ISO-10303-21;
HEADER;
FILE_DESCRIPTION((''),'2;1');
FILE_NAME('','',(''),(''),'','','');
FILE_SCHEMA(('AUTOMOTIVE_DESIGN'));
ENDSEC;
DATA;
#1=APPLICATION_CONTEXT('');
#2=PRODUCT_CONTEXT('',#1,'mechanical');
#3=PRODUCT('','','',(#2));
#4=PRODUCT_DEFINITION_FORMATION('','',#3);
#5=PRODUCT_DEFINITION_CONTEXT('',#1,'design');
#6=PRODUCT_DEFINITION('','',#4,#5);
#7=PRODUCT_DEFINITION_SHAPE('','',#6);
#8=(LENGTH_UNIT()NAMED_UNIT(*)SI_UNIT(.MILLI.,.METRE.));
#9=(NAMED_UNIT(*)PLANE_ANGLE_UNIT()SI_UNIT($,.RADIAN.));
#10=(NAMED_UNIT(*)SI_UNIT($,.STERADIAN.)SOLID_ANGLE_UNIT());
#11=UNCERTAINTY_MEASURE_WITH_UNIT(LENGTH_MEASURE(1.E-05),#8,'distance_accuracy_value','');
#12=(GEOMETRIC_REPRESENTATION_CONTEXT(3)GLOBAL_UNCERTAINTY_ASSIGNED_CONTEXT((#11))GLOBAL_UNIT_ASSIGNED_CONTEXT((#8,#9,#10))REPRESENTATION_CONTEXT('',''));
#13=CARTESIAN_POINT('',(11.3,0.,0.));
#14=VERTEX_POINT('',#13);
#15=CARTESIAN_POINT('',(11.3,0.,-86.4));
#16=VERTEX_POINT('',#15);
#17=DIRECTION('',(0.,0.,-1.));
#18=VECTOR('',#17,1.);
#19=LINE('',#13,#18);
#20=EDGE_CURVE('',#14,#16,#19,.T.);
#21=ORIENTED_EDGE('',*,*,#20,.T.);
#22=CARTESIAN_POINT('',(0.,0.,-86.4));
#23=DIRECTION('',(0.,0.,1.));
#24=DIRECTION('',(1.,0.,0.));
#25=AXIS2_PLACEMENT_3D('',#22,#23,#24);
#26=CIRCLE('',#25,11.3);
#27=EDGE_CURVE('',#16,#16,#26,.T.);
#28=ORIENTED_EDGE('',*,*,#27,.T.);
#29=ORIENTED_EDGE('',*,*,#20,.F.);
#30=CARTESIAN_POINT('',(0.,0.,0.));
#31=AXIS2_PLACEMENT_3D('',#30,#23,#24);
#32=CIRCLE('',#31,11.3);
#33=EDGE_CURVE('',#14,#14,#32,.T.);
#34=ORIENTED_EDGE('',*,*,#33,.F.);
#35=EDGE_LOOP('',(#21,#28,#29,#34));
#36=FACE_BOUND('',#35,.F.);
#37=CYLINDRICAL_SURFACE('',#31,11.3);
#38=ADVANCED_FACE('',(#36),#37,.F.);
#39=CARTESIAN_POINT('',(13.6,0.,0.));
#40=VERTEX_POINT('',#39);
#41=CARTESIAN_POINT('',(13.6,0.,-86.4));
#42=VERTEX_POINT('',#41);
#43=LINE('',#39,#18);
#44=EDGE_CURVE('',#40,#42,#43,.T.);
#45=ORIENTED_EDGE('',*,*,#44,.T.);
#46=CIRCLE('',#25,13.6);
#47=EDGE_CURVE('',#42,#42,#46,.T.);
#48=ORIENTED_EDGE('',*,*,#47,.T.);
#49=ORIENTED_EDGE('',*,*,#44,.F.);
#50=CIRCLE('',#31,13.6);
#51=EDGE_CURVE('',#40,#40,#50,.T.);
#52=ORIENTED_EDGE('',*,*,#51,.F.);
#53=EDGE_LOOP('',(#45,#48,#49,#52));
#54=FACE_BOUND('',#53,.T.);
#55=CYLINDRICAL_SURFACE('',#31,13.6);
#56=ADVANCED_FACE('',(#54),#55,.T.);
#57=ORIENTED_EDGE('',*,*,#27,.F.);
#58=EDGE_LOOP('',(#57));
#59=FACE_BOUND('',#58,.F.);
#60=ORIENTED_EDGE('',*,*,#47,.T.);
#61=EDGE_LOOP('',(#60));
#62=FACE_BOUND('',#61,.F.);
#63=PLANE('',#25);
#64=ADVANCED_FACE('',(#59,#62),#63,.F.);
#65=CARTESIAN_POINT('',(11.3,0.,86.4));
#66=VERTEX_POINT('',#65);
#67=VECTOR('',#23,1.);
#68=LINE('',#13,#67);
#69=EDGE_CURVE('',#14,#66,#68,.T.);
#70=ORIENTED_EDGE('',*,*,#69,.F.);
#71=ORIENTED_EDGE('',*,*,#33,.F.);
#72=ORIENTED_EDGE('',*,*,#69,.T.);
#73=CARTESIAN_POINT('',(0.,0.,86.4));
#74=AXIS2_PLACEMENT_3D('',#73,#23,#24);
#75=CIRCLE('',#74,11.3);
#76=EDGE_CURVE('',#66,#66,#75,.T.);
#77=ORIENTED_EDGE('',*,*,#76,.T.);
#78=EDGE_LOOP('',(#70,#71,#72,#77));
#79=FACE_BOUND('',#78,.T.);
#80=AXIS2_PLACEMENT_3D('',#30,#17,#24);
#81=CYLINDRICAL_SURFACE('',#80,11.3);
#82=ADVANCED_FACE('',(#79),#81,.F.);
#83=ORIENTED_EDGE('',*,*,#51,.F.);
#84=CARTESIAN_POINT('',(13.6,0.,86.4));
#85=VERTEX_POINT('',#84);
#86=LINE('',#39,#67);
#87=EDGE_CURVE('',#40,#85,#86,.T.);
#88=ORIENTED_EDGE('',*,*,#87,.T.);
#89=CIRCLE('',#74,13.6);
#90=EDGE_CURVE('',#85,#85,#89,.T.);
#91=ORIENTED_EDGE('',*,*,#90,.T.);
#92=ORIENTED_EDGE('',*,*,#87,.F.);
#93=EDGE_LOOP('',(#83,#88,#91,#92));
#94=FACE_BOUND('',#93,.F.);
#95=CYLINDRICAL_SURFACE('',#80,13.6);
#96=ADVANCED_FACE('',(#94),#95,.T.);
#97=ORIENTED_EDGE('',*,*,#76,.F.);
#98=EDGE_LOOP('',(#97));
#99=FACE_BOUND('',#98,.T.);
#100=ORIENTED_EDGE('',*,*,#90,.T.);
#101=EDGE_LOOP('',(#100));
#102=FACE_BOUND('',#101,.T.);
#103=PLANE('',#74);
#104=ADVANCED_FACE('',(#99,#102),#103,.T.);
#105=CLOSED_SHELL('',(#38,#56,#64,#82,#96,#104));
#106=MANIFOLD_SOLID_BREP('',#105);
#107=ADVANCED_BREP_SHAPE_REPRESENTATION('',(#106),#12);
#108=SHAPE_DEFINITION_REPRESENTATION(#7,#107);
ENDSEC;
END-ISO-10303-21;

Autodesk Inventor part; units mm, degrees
ref_plane "XY Plane" through (0, 0, 0) normal (0, 0, 1) x (1, 0, 0)
sketch "スケッチ1" plane through (0, 0, 0) normal (0, 0, 1) x (1, 0, 0)
  circle A0 centre (0, 0) radius 13.6
  circle A1 centre (0, 0) radius 11.3
  dimension "d0" = 27.2
  dimension "d1" = 2.3
extrude "押し出し1" add sketch "スケッチ1" along normal mid plane 172.8
ref_plane "作業平面1" through (13.6, 0, 0) normal (1, 0, 0) x (0, 1, 0)
ref_plane "作業平面3" through (-13.6, 0, 0) normal (-1, 0, 0) x (0, -1, 0)
ref_plane "作業平面4" through (0, 13.6, 0) normal (0, 1, 0) x (-1, 0, 0)
ref_plane "作業平面5" through (0, -13.6, 0) normal (0, -1, 0) x (1, 0, 0)
properties part number "Pipe4" material "鋼、炭素鋼"
